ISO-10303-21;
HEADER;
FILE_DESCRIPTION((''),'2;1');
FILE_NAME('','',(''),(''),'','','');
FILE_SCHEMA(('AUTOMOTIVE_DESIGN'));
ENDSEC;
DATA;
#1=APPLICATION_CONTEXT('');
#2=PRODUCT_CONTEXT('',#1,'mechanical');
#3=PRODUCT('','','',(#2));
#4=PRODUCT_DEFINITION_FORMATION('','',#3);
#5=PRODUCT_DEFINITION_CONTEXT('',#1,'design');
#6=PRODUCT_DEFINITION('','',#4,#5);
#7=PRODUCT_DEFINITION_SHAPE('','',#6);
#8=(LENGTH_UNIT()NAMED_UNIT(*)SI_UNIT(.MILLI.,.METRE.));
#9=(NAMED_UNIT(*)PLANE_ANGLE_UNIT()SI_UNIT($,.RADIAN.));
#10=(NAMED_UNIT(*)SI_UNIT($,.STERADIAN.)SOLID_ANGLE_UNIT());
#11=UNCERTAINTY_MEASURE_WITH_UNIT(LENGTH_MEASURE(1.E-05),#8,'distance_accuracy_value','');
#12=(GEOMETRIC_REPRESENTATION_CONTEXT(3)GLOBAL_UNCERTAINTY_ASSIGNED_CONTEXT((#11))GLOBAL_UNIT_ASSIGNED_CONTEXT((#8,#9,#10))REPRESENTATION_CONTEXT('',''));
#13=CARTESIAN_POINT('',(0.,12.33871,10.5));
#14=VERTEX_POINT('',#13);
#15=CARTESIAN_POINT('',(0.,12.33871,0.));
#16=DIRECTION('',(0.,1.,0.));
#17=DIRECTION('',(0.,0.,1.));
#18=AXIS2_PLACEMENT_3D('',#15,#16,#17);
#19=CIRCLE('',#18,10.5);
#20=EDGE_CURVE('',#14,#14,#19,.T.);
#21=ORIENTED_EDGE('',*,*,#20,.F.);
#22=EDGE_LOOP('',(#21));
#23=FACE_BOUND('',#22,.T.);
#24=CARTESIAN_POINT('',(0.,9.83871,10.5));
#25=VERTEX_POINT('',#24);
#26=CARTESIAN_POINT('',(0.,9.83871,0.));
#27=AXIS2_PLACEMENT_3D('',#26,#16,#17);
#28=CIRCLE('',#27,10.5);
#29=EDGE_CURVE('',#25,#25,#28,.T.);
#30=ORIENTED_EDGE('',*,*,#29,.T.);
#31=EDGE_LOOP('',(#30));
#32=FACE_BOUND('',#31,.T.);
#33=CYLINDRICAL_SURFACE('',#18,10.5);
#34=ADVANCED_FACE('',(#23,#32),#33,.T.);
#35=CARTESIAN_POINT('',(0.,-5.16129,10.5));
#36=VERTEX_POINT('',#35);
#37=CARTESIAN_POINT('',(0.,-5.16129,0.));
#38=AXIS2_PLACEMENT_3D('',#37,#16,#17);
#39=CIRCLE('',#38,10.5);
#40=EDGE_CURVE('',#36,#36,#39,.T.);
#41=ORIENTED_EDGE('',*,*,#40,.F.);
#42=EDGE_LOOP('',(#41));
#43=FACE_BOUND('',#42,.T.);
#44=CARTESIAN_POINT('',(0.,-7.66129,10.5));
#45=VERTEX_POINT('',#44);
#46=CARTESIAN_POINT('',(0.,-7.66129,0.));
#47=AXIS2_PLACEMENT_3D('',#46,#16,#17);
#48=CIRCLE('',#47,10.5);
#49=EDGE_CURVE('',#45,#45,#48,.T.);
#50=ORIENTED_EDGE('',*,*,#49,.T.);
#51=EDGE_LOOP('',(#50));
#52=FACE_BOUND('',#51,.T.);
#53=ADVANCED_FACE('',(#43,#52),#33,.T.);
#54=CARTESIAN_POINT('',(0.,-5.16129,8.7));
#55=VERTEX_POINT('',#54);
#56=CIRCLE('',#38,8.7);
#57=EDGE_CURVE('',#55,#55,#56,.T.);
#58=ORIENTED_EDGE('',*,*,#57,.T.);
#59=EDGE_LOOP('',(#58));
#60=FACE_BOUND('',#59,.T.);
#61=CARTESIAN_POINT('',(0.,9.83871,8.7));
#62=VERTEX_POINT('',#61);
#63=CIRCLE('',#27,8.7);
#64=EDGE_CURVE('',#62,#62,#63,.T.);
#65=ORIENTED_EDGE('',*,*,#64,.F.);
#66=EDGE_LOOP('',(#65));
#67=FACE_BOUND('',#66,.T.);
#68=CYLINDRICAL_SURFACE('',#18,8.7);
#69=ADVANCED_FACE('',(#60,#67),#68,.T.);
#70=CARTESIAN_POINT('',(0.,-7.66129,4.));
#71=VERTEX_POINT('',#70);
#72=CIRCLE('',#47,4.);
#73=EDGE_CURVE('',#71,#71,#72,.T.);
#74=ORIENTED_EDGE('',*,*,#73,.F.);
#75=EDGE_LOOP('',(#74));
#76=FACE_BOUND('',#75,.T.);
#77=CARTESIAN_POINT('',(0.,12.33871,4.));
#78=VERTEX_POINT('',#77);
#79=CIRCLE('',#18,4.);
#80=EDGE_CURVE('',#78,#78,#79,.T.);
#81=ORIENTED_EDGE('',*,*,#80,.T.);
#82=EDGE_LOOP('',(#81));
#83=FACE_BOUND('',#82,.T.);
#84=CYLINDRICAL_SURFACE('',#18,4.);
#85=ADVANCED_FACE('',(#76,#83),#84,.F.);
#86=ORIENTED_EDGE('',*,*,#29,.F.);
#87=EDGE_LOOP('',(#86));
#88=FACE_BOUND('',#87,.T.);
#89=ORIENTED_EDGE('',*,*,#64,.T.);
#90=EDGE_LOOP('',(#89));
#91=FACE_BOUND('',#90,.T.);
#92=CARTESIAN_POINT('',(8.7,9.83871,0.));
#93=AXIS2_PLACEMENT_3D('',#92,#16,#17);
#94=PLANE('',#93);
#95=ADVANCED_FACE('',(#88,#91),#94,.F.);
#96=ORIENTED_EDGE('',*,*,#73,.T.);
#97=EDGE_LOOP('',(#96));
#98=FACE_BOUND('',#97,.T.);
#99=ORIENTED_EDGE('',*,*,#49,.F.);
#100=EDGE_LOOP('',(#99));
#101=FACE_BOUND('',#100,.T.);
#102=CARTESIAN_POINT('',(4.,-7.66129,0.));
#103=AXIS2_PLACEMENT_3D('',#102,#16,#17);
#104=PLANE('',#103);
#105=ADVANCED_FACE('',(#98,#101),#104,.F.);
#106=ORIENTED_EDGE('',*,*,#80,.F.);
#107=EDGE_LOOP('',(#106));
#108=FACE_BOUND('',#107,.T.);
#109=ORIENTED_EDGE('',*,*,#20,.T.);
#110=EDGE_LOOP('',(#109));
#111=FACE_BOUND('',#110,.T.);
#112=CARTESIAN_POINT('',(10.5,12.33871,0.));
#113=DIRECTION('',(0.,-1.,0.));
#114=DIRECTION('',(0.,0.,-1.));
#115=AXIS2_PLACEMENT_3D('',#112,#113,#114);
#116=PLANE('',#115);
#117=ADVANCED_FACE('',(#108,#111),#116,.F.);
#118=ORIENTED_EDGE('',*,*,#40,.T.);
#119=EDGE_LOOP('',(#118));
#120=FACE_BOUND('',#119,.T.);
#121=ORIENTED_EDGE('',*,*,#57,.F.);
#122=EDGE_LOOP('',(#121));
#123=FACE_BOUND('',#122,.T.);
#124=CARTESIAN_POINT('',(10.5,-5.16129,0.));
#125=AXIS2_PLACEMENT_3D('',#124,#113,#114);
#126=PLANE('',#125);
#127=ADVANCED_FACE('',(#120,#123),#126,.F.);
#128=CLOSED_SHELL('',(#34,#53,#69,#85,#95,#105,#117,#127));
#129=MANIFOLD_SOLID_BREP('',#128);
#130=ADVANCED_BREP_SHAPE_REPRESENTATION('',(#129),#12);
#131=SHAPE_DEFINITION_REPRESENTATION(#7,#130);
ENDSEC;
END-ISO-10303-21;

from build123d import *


with BuildPart() as part:
    # Schizzo1 → Rivoluzione1 (revolve)
    with BuildSketch(Plane.XY, mode=Mode.PRIVATE) as rivoluzione1_sk:
        Polygon((4, -7.661290323), (10.5, -7.661290323), (10.5, -5.161290323), (8.7, -5.161290323), (8.7, 9.838709677), (10.5, 9.838709677), (10.5, 12.338709677), (4, 12.338709677), align=None)
    revolve(rivoluzione1_sk.sketch.rotate(Axis((0, 12.338709677, 0), (0, -1, 0)), 90), axis=Axis((0, 12.338709677, 0), (0, -1, 0)))


solid = part.part
